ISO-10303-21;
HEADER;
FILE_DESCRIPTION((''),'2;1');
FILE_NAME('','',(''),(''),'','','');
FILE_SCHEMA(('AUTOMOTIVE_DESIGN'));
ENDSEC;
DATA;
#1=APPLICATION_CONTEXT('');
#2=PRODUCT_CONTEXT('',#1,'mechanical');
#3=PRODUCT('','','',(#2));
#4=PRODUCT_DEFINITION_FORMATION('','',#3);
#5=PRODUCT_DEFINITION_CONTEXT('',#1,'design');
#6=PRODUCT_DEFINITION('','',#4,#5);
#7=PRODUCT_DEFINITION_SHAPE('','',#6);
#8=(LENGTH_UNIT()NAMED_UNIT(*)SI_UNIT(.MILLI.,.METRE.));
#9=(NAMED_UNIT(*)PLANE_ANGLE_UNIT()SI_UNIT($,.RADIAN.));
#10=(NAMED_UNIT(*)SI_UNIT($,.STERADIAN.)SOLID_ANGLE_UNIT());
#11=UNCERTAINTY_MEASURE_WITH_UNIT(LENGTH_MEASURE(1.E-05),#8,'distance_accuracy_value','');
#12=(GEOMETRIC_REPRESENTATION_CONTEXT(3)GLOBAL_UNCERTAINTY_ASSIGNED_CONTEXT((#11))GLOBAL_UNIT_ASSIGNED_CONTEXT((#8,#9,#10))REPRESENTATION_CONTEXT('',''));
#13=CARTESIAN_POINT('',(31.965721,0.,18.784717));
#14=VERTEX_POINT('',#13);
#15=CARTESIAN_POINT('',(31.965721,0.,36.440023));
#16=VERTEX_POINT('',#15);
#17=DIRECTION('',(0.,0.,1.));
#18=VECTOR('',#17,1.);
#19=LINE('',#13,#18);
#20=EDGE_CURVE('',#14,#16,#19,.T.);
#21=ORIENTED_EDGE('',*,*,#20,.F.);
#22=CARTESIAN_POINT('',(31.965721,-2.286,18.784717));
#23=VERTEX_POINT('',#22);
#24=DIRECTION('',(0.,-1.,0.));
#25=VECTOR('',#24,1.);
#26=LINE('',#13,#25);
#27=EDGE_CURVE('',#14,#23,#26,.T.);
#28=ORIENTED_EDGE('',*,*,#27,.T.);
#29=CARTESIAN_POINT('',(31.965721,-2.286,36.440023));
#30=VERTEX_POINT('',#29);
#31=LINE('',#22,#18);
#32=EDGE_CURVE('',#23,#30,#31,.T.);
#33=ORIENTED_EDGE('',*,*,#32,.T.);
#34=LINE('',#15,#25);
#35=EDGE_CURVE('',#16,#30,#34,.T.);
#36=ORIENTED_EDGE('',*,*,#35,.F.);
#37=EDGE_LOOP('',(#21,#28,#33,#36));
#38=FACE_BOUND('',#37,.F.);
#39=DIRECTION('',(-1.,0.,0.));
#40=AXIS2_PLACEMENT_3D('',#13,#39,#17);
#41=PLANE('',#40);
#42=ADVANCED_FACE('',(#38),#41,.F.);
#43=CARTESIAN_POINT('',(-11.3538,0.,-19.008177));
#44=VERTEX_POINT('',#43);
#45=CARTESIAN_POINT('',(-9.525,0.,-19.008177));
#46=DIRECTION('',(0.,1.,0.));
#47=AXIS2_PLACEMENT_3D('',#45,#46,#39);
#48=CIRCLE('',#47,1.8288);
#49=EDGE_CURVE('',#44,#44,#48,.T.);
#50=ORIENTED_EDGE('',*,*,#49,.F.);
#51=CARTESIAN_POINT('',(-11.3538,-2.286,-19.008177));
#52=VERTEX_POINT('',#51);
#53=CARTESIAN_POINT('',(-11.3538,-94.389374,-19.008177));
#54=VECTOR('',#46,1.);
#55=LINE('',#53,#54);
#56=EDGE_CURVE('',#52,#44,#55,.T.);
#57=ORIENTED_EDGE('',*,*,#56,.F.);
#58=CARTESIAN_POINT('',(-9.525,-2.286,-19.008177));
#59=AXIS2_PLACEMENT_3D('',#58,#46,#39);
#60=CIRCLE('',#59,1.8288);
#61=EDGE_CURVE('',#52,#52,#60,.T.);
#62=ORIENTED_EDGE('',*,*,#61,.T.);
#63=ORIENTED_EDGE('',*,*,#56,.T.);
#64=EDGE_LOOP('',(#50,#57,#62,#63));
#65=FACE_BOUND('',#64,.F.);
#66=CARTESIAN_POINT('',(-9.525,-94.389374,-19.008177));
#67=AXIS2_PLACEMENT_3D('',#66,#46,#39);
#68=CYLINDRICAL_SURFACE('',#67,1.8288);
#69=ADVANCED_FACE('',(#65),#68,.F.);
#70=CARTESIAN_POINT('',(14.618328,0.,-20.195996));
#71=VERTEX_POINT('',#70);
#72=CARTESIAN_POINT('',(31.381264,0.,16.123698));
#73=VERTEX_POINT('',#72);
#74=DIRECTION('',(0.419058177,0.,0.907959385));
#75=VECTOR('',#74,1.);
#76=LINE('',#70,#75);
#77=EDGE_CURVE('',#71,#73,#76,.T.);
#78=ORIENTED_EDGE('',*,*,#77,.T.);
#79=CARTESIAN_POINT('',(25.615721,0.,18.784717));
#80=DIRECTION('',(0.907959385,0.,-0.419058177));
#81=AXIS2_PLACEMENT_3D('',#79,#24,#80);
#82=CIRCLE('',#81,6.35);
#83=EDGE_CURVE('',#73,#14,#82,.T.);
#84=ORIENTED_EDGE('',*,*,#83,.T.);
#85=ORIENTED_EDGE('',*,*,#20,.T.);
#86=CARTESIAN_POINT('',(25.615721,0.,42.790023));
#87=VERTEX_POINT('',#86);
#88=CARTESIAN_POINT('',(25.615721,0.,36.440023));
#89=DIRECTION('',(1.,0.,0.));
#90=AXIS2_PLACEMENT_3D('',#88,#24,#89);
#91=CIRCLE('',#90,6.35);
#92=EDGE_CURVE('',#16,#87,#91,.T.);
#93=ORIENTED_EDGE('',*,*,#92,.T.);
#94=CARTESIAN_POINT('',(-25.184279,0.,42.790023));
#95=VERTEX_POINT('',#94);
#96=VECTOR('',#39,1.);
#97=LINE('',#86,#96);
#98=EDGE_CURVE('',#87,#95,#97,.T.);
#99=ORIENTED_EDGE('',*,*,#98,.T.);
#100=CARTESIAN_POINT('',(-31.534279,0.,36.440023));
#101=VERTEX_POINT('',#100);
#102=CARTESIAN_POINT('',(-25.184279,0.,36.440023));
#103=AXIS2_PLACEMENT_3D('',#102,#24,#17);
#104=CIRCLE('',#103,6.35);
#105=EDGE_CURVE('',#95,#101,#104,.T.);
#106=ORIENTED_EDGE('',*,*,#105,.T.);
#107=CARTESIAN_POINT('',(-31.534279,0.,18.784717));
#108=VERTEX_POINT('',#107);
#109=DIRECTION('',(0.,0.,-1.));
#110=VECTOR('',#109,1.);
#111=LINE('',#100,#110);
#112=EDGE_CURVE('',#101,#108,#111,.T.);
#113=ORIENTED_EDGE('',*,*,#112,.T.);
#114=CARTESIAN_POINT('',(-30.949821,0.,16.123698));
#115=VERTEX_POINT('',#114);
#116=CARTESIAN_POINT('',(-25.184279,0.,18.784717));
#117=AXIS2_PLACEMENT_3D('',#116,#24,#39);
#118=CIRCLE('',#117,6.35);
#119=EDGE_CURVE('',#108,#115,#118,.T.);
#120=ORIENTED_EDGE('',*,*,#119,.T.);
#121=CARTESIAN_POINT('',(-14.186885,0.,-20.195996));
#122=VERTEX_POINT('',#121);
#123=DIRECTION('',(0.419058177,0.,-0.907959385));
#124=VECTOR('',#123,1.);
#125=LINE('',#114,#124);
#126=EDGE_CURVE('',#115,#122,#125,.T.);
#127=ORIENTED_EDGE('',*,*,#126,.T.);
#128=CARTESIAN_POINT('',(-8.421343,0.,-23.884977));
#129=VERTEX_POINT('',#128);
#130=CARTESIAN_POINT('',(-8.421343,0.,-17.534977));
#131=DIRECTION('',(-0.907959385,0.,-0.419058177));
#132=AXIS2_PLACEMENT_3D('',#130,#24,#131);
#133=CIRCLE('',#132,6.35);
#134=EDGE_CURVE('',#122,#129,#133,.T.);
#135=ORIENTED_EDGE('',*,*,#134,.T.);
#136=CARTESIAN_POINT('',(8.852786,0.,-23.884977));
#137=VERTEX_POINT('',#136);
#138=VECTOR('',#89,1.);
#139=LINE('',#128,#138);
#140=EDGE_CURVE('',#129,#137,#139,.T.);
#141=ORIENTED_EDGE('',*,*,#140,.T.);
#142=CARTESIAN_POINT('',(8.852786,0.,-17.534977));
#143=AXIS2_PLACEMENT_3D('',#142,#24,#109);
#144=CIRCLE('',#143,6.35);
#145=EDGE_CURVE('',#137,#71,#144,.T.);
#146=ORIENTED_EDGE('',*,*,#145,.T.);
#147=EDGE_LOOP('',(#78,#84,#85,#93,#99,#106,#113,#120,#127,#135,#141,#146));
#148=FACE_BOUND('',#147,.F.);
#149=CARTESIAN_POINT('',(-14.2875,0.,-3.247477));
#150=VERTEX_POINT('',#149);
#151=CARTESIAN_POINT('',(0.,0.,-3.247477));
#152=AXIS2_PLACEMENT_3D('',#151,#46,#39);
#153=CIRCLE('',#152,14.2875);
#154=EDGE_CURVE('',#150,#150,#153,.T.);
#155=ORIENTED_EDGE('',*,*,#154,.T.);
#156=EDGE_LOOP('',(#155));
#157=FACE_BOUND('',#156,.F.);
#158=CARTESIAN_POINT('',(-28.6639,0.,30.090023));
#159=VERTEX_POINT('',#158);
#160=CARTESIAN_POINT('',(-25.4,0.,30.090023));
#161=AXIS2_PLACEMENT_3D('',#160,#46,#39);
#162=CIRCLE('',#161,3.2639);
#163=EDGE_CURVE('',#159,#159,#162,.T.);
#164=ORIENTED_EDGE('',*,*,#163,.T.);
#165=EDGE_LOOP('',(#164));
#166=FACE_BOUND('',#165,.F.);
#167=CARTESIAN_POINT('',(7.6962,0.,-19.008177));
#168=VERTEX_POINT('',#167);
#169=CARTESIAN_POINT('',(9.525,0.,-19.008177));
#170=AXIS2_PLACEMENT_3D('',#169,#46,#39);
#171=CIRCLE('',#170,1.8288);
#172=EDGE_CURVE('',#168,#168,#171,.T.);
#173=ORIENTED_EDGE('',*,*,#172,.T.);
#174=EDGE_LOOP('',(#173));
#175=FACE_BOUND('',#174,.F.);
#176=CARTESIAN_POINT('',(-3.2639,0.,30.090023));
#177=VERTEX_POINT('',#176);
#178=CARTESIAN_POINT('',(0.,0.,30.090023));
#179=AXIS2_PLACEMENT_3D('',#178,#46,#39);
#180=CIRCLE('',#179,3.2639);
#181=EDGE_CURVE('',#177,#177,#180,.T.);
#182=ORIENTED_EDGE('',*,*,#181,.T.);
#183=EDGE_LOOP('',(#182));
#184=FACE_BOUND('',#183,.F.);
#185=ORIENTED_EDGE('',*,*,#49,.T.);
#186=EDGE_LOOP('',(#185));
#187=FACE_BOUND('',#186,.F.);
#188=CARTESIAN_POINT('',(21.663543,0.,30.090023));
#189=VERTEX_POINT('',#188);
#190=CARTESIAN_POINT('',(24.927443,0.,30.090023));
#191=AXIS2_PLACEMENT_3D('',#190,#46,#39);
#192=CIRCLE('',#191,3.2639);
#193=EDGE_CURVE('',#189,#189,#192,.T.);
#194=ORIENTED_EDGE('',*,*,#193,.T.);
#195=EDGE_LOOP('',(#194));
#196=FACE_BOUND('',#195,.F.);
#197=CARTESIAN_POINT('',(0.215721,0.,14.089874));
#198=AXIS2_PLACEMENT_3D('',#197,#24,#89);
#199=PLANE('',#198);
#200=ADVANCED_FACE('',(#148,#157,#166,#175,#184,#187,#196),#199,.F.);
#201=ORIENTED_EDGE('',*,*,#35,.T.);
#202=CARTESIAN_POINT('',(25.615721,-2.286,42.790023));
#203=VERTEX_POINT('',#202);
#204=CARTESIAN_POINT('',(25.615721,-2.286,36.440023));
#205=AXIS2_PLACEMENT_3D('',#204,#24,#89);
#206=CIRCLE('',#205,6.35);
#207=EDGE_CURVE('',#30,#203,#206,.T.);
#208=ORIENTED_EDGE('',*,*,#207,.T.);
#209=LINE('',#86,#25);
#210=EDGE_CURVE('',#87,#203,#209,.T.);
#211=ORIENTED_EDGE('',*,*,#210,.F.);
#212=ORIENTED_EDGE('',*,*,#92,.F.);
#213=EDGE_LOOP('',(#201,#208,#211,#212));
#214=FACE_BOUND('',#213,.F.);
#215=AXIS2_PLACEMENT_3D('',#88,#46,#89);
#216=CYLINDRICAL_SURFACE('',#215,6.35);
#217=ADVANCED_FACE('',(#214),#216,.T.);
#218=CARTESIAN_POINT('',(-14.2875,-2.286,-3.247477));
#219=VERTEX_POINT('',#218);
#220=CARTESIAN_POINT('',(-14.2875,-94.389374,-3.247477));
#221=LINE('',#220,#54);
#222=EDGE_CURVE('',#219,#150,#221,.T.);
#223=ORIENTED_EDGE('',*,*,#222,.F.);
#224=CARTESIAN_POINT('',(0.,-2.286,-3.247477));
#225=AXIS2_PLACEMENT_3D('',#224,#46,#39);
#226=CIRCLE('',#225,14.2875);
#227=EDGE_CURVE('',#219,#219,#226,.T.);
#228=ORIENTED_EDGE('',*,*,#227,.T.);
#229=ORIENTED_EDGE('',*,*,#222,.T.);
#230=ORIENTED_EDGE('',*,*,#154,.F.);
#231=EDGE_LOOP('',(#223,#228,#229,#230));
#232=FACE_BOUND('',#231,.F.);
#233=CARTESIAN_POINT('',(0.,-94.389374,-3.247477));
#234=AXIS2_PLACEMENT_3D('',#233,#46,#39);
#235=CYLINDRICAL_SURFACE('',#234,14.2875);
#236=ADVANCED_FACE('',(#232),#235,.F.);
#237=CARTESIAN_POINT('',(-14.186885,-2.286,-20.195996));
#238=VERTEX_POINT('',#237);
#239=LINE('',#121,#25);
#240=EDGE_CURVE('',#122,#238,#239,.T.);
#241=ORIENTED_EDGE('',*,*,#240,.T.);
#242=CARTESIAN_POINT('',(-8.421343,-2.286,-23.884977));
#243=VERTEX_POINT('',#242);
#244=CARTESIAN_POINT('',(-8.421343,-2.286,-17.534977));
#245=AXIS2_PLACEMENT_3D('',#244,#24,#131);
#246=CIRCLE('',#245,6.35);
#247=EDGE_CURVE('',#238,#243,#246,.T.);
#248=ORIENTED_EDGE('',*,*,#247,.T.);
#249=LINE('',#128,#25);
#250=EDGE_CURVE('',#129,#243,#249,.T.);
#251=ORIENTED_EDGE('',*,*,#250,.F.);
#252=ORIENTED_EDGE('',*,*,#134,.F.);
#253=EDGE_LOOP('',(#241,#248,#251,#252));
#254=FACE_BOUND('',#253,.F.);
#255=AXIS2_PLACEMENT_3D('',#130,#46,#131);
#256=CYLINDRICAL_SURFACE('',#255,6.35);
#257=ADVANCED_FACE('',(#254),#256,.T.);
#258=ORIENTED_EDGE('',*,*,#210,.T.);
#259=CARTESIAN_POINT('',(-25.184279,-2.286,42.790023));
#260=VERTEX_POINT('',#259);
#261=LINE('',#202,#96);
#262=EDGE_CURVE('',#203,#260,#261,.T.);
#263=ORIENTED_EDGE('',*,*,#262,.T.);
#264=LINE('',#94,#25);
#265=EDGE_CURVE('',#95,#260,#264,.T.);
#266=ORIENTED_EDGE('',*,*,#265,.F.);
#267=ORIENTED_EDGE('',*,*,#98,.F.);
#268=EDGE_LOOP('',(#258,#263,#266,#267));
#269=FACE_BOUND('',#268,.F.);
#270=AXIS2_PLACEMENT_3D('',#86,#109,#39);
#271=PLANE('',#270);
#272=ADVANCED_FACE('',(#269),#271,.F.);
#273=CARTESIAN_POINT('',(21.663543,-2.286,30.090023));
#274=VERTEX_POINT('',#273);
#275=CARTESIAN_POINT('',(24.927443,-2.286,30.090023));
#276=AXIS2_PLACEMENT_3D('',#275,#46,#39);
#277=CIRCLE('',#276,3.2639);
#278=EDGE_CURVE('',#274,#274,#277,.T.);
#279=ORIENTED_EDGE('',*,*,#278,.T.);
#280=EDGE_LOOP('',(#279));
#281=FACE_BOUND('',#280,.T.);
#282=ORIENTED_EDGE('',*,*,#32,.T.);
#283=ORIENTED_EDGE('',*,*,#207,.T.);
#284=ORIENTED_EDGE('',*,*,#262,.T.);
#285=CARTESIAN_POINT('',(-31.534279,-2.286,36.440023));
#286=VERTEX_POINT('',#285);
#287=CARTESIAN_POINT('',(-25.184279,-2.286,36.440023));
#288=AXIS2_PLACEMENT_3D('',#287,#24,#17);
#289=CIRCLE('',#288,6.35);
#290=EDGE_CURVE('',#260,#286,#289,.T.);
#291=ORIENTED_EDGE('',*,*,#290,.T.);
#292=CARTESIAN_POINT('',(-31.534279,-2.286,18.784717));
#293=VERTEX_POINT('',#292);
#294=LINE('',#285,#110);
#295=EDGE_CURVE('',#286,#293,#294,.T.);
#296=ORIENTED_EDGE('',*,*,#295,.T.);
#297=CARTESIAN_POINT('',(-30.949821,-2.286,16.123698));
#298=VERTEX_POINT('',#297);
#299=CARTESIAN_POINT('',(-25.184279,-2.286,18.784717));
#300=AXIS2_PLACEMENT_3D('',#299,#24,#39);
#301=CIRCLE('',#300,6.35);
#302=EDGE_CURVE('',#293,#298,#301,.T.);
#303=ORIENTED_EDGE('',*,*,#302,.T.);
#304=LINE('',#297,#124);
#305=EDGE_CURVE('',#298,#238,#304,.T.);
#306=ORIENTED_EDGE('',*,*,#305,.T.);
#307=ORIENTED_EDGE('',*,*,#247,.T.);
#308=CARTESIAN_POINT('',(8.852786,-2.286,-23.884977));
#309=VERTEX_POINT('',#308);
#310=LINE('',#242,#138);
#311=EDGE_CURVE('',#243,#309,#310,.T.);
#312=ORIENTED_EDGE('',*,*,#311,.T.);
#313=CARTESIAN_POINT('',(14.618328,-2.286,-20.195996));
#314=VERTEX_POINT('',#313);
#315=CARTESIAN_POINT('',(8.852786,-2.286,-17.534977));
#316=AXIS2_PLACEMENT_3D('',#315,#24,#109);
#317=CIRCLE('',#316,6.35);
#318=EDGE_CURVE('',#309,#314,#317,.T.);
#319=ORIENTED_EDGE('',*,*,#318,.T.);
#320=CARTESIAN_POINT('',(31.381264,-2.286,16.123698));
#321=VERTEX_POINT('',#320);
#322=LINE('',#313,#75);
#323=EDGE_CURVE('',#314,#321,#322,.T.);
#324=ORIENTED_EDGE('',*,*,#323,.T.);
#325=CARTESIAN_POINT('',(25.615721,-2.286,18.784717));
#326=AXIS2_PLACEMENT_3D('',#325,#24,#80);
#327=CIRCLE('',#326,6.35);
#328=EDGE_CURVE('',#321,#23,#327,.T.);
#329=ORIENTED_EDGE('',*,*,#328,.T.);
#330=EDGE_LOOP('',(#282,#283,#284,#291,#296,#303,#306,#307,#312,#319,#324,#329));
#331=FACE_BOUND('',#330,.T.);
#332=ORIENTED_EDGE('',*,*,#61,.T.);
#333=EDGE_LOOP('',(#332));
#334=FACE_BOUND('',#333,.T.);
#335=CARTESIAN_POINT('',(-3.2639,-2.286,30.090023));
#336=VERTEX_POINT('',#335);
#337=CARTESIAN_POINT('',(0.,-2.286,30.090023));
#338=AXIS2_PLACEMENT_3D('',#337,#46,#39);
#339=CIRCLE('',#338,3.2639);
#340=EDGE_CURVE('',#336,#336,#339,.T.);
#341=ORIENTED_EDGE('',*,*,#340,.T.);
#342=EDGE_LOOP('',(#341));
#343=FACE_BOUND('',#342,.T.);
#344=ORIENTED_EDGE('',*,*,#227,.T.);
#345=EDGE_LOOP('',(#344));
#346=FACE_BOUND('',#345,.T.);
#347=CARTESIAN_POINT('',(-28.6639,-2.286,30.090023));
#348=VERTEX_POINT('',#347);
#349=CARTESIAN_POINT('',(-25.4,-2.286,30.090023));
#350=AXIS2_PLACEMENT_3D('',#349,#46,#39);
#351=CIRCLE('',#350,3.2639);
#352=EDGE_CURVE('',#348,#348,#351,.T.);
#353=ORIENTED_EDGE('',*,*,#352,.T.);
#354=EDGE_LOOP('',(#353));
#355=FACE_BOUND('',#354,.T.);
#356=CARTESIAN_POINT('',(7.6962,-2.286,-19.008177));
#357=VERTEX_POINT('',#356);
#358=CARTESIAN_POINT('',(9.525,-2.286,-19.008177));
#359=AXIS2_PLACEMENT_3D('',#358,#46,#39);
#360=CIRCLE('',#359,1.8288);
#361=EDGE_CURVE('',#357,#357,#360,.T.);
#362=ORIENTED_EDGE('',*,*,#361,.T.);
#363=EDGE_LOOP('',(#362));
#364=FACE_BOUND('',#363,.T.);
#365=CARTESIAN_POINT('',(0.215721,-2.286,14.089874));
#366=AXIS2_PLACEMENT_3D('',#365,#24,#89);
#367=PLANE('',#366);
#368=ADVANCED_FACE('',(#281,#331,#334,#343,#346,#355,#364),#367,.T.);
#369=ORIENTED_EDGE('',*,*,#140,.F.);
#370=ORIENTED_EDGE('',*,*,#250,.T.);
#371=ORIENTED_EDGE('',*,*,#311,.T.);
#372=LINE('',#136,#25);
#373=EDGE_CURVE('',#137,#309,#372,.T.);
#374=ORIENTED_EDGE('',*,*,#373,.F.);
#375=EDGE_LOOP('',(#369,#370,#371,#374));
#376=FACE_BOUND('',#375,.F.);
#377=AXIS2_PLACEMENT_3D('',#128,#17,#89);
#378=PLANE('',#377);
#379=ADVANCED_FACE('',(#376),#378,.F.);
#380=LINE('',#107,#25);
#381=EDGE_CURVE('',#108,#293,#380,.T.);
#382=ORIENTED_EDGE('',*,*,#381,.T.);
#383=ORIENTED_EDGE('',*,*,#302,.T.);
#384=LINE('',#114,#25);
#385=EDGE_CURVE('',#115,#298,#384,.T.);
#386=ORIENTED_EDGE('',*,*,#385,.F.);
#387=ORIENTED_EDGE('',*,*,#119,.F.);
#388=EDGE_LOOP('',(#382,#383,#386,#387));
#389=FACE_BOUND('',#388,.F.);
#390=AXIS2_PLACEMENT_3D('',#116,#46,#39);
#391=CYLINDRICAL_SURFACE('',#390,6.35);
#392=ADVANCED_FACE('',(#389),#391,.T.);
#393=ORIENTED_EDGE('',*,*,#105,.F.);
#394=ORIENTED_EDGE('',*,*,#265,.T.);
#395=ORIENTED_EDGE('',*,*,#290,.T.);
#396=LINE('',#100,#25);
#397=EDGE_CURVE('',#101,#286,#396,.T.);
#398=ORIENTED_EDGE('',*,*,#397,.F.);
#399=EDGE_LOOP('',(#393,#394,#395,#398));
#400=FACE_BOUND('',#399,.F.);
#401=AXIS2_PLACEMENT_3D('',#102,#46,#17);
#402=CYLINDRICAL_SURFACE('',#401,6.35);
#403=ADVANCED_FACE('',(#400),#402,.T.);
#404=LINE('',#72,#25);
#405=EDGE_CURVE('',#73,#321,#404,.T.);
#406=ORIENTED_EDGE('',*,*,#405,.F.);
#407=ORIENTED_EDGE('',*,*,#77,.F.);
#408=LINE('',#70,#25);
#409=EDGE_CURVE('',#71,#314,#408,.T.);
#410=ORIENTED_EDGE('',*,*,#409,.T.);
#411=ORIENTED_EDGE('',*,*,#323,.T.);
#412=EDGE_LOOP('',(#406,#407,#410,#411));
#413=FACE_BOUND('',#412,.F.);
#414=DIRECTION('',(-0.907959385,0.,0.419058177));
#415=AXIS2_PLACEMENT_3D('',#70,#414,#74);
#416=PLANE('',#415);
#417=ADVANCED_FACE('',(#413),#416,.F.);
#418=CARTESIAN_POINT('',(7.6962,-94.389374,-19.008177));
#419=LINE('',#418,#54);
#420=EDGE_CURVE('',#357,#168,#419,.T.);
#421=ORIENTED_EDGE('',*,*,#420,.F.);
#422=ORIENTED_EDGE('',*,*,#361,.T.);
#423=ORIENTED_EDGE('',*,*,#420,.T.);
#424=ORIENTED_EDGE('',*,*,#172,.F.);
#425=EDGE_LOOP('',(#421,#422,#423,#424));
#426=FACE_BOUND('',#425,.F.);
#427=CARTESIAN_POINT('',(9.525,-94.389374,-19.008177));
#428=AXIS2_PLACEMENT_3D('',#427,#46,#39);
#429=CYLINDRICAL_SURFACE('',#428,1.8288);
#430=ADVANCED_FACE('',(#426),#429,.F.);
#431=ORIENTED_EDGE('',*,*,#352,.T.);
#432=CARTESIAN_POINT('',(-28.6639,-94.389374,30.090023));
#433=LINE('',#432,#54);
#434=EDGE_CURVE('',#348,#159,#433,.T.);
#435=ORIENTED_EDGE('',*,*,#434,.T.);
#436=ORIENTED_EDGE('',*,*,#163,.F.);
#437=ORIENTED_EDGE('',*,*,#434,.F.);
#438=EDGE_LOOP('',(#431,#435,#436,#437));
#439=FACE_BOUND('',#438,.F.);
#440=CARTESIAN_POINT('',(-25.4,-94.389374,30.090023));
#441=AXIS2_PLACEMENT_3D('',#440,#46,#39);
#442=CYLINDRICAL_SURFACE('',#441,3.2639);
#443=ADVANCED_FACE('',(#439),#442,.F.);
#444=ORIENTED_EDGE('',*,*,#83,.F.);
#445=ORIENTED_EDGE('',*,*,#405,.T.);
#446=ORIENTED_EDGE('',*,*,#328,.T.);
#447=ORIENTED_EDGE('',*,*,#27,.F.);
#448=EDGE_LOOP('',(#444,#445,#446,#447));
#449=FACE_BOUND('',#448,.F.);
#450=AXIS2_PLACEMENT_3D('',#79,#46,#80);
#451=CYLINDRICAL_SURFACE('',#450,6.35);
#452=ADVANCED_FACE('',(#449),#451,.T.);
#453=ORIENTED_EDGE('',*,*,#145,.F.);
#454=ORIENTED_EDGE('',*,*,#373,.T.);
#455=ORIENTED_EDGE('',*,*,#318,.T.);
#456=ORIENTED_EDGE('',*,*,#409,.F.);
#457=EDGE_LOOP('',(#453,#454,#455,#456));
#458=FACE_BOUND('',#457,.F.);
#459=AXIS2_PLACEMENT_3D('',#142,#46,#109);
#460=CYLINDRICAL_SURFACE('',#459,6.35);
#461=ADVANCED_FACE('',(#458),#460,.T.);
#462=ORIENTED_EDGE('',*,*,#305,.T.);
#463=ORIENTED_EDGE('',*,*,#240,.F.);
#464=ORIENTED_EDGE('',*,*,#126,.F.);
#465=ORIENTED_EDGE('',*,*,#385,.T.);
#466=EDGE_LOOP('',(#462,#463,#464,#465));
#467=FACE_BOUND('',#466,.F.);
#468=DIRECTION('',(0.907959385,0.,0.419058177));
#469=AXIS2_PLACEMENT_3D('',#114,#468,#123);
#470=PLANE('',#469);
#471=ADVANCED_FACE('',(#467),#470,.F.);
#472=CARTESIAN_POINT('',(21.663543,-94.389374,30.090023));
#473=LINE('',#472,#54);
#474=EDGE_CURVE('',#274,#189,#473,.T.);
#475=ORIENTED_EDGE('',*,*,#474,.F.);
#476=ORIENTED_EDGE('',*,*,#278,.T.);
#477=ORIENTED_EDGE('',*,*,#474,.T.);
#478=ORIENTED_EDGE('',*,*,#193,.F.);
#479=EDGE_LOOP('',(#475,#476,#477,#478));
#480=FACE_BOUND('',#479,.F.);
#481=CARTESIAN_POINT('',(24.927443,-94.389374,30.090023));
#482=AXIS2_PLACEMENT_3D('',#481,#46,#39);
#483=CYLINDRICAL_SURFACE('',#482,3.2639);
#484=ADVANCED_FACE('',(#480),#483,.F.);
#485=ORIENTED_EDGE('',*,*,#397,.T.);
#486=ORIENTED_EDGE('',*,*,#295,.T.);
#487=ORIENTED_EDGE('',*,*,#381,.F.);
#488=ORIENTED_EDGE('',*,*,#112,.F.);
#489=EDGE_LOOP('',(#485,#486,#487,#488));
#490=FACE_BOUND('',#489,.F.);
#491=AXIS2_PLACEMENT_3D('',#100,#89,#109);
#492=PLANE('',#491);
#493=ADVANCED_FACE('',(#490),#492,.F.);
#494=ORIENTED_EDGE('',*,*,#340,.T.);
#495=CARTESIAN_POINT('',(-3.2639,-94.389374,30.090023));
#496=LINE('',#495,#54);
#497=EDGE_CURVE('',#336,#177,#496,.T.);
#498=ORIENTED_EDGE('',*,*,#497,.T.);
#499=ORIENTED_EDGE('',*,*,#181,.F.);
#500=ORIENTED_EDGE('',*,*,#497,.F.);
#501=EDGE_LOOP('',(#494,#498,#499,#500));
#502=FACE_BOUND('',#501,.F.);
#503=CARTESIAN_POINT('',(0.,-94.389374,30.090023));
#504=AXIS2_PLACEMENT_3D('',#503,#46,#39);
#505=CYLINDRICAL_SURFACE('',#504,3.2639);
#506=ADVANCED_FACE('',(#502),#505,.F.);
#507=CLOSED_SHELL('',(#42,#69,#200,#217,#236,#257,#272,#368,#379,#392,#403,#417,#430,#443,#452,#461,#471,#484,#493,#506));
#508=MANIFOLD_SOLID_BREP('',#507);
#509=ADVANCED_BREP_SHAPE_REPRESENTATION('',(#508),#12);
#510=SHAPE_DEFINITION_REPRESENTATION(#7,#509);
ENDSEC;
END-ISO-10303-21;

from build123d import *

# Parameters (mm, degrees)
F1_DEPTH = 2.286
F3_D     = 6.5278
F5_D     = 28.575
F7_D     = 3.6576


with BuildPart() as f1:
    # F0 (on Front) → F1 (new body)
    with BuildSketch(Plane.XZ):
        with BuildLine():
            Line((25.6157214167, 42.7900233197), (-25.1842785833, 42.7900233197))
            ThreePointArc((-25.1842785833, 42.7900233197), (-29.6744066438, 40.9301513802), (-31.5342785833, 36.4400233197))
            Line((-31.5342785833, 36.4400233197), (-31.5342785833, 18.7847172783))
            ThreePointArc((-31.5342785833, 18.7847172783), (-31.3864432168, 17.422493413), (-30.9498206749, 16.1236978514))
            Line((-30.9498206749, 16.1236978514), (-14.1868850016, -20.1959961072))
            ThreePointArc((-14.1868850016, -20.1959961072), (-11.8436978478, -22.8838070833), (-8.4213429101, -23.8849766803))
            Line((-8.4213429101, -23.8849766803), (8.8527857435, -23.8849766803))
            ThreePointArc((8.8527857435, -23.8849766803), (12.2751406812, -22.8838070833), (14.6183278351, -20.1959961072))
            Line((14.6183278351, -20.1959961072), (31.3812635083, 16.1236978514))
            ThreePointArc((31.3812635083, 16.1236978514), (31.8178860502, 17.422493413), (31.9657214167, 18.7847172783))
            Line((31.9657214167, 18.7847172783), (31.9657214167, 36.4400233197))
            ThreePointArc((31.9657214167, 36.4400233197), (30.1058494773, 40.9301513802), (25.6157214167, 42.7900233197))
        make_face()
    extrude(amount=F1_DEPTH)

    # F3 (through all)
    with Locations(Plane.XZ.offset(2.286)):
        with Locations((-25.4, 30.0900233197), (0, 30.0900233197), (24.9274426514, 30.0900233197)):
            Hole(F3_D / 2)

    # F5 (through all)
    with Locations(Plane.XZ.offset(2.286)):
        with Locations((0, -3.2474766803)):
            Hole(F5_D / 2)

    # F7 (through all)
    with Locations(Plane.XZ.offset(2.286)):
        with Locations((-9.525, -19.0081766803), (9.525, -19.0081766803)):
            Hole(F7_D / 2)


solid = f1.part
